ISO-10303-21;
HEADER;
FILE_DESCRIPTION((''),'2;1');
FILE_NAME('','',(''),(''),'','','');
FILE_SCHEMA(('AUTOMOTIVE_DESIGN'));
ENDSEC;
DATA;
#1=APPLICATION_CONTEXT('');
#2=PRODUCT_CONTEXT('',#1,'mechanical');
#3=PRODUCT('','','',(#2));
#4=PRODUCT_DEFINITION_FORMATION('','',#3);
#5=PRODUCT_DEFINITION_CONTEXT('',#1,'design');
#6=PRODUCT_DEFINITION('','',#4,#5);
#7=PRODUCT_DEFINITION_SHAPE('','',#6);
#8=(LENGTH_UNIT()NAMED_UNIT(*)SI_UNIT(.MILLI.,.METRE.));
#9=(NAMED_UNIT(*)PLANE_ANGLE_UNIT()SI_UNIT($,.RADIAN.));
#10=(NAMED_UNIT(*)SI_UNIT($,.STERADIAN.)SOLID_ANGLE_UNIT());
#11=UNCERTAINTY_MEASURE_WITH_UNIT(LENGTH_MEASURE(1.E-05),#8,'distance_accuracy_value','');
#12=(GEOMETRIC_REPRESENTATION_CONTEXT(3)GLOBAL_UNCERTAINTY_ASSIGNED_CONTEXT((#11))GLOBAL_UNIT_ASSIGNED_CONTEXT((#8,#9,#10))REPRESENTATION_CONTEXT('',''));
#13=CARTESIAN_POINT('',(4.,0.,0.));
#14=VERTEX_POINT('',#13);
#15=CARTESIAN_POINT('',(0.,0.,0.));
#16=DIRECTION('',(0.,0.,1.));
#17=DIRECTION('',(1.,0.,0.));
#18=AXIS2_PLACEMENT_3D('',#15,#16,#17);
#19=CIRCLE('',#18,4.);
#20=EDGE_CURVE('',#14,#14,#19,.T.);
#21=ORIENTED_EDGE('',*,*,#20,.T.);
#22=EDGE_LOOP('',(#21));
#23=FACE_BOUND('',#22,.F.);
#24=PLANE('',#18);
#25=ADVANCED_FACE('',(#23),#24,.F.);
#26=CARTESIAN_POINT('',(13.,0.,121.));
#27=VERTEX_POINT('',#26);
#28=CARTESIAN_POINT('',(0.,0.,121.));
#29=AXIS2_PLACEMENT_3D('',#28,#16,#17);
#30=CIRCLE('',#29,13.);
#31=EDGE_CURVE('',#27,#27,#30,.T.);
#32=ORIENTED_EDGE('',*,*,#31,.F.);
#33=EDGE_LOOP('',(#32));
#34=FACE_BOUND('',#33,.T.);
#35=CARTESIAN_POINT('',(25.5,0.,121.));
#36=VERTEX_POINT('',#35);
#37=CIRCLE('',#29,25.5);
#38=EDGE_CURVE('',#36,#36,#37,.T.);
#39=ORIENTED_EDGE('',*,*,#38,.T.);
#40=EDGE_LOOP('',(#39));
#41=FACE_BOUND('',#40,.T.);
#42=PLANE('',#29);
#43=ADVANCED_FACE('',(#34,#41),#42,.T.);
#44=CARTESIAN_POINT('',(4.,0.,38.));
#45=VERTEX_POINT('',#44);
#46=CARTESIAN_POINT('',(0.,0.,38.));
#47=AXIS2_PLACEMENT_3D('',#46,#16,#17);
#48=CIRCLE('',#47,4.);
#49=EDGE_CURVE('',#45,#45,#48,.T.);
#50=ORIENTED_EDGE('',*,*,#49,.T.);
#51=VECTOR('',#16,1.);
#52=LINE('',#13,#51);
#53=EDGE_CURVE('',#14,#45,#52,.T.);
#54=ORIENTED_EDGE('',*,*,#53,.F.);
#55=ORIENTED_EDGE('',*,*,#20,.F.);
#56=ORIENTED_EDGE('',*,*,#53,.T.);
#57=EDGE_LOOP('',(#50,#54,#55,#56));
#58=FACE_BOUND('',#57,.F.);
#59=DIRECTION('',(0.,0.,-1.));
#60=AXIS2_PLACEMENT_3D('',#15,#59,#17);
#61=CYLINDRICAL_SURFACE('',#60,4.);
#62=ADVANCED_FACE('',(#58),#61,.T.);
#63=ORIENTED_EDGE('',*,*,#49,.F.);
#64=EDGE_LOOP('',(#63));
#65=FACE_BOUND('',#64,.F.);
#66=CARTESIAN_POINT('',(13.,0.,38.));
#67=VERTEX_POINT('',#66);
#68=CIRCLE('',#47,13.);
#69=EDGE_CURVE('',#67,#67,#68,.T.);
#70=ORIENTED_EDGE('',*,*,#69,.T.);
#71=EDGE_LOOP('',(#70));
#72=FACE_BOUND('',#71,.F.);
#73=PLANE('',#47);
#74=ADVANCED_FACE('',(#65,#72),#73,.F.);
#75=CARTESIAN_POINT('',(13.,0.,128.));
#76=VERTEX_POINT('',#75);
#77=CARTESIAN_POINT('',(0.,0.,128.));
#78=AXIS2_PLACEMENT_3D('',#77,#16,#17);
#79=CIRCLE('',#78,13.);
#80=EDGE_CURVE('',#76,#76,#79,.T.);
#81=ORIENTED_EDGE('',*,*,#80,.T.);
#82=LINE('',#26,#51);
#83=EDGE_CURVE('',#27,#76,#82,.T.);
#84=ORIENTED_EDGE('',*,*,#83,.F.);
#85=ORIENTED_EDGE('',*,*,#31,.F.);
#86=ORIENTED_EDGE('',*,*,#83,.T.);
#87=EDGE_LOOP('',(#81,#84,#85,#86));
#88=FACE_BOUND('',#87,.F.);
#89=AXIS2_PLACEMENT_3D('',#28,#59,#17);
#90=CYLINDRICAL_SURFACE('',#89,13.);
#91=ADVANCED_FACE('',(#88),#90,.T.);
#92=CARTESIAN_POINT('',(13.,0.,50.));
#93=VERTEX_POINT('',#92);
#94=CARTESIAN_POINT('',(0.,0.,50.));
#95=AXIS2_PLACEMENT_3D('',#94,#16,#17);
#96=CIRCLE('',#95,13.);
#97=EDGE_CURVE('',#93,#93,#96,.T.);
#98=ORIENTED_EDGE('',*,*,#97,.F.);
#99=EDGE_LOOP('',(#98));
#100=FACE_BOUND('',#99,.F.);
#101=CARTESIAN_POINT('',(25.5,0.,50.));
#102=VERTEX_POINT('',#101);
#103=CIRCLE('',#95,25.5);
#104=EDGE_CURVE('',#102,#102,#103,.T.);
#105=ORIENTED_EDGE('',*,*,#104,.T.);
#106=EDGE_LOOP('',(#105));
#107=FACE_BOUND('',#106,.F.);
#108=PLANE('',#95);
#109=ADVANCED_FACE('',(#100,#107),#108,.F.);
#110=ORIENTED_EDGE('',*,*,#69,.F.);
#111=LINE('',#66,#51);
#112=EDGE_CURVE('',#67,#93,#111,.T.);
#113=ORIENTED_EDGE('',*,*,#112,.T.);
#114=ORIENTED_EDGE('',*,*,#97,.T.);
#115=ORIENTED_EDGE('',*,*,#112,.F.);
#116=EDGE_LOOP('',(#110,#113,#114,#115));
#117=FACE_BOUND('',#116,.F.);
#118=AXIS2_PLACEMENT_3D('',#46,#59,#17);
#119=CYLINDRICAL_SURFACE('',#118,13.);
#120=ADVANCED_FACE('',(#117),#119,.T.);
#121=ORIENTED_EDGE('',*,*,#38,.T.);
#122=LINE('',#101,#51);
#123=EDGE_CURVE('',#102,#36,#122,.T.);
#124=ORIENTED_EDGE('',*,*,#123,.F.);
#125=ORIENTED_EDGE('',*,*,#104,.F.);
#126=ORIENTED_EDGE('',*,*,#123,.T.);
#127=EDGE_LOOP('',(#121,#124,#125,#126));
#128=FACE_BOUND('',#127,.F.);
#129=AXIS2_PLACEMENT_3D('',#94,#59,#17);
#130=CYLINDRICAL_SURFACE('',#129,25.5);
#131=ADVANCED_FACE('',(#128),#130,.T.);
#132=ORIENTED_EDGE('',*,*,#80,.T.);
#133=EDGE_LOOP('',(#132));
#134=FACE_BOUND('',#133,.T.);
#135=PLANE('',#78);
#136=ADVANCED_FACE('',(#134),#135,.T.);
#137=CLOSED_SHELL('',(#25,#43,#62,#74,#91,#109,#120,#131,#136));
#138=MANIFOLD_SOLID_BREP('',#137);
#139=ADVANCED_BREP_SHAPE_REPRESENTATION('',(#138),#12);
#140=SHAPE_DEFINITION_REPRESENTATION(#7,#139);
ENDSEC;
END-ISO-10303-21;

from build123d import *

# Parameters (mm, degrees)
F0_R     = 4
F1_DEPTH = 38
F2_R     = 13
F2_R_2   = 4
F3_DEPTH = 12
F4_R     = 25.5
F4_R_2   = 13
F5_DEPTH = 71
F6_R     = 13
F7_DEPTH = 7


with BuildPart() as f1:
    # F0 (on Top) → F1 (new body)
    with BuildSketch(Plane.XY):
        Circle(F0_R)
    extrude(amount=F1_DEPTH)

    # F2 (on face) → F3 (join)
    with BuildSketch(Plane.XY.offset(38)):
        Circle(F2_R)
        Circle(F2_R_2, mode=Mode.SUBTRACT)
        Circle(F2_R_2)
    extrude(amount=F3_DEPTH)

    # F4 (on face) → F5 (join)
    with BuildSketch(Plane.XY.offset(50)):
        Circle(F4_R)
        Circle(F4_R_2, mode=Mode.SUBTRACT)
        Circle(F4_R_2)
    extrude(amount=F5_DEPTH)

    # F6 (on face) → F7 (join)
    with BuildSketch(Plane.XY.offset(121)):
        Circle(F6_R)
    extrude(amount=F7_DEPTH)


solid = f1.part
